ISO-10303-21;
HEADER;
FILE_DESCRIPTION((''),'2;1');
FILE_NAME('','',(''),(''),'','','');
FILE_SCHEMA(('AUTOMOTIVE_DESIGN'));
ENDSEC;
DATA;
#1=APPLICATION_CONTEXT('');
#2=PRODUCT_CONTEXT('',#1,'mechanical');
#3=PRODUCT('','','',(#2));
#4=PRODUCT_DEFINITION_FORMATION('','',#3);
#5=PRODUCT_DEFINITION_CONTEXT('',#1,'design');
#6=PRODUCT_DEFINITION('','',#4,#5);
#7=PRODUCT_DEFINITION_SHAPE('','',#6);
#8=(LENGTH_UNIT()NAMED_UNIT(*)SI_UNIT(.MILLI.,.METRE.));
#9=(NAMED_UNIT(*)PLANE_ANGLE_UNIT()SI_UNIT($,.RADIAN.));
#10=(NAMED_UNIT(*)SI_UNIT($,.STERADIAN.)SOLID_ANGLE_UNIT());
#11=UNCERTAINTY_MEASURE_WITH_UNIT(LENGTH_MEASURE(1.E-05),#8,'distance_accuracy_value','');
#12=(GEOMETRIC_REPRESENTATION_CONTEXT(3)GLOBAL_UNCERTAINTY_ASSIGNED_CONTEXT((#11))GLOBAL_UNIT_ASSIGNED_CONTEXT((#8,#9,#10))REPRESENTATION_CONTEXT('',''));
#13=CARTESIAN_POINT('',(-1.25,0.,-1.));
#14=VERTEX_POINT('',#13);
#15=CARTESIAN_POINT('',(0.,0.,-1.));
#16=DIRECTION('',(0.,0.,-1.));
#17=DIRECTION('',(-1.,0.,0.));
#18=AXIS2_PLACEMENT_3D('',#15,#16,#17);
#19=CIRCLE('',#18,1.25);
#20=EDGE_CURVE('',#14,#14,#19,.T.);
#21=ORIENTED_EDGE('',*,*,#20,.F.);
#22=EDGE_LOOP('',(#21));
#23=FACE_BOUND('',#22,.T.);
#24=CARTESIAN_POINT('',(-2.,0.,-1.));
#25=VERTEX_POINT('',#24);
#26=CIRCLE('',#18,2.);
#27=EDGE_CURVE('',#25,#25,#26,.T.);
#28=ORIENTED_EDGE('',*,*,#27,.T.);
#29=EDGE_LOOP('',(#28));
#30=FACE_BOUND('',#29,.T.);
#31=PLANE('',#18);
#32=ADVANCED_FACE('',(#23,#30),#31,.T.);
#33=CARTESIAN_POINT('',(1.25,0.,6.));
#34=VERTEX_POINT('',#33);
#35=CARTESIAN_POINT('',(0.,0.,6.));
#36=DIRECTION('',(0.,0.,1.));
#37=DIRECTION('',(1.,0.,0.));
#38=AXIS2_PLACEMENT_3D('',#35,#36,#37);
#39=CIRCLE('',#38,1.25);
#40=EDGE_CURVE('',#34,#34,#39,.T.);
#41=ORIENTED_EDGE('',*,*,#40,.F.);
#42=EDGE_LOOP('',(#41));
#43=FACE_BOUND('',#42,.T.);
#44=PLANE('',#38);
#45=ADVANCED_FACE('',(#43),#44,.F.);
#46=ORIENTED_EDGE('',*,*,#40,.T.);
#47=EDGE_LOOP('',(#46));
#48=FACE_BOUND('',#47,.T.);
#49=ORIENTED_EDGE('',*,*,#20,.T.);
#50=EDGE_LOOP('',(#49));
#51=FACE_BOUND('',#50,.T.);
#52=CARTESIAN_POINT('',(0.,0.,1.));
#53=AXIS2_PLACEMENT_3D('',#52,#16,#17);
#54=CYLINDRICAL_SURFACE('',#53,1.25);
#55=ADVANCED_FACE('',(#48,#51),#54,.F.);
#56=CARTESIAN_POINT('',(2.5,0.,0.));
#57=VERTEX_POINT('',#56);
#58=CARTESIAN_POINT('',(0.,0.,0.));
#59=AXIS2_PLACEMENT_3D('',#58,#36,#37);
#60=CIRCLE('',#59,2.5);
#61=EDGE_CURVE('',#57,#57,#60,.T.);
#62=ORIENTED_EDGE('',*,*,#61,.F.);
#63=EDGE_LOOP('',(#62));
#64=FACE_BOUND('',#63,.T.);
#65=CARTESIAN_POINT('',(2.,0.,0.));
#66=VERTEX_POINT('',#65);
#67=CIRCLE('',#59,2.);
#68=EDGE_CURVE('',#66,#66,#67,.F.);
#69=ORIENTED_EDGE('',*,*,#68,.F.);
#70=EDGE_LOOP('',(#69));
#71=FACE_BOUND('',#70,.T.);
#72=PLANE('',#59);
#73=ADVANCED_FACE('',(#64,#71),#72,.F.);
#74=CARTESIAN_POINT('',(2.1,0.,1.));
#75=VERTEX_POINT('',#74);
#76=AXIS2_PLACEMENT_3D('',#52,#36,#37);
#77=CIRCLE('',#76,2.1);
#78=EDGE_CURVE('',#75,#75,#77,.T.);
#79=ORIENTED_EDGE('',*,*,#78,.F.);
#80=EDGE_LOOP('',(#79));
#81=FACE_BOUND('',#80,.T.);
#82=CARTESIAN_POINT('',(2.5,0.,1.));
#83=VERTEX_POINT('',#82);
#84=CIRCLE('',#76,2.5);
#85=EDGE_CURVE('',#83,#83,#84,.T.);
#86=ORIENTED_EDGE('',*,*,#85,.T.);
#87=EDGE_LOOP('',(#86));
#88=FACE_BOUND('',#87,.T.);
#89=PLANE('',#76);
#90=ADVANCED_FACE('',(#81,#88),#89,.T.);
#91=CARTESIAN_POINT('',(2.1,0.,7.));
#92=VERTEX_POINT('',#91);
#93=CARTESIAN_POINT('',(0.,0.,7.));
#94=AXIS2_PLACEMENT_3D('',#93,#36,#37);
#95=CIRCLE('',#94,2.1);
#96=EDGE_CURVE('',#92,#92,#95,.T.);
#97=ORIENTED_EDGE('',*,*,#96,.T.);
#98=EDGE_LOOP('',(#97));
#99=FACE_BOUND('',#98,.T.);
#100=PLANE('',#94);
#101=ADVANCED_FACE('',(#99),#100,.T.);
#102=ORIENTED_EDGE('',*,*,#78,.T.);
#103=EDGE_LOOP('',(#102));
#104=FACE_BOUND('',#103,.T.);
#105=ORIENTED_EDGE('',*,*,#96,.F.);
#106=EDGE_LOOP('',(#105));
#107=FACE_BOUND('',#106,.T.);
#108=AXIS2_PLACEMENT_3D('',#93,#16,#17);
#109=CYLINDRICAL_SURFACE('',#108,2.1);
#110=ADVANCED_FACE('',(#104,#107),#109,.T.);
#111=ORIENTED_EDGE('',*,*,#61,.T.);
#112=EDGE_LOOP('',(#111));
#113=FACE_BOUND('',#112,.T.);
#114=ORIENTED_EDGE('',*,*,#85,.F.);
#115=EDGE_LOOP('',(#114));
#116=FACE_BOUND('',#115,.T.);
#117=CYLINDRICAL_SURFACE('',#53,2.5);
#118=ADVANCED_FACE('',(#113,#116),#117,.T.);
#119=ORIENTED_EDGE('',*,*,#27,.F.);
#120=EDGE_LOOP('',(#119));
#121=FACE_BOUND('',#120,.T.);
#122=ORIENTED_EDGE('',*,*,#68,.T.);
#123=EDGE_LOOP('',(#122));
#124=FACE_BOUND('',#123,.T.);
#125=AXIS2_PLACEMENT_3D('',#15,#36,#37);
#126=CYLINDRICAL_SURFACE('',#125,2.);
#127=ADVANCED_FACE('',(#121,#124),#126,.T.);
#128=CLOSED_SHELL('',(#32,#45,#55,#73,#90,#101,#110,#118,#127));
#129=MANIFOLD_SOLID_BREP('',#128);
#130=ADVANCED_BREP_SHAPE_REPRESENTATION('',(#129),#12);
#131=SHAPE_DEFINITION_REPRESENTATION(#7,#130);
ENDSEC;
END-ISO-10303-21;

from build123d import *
from build123d.topology import SkipClean

# Parameters (mm, degrees)
SKETCH_1_R      = 2.5
SKETCH_1_R_2    = 1.25
EXTRUDE_1_DEPTH = 1
EXTRUDE_START   = 1
SKETCH_2_R      = 2
SKETCH_2_R_2    = 1.25
EXTRUDE_2_DEPTH = 1
SKETCH_4_R      = 2.1
SKETCH_4_R_2    = 1.25
EXTRUDE_3_DEPTH = 6
EXTRUDE_START_2 = -1
SKETCH_3_R      = 2.1
EXTRUDE_4_DEPTH = 1


with BuildPart() as part:
    # 草图1 → 凸台-拉伸1 (new body)
    with BuildSketch(Plane.XY):
        Circle(SKETCH_1_R)
        Circle(SKETCH_1_R_2, mode=Mode.SUBTRACT)
    extrude(amount=EXTRUDE_1_DEPTH)

    # 草图2 → 凸台-拉伸2 (add)
    with SkipClean():  # the faces are left unmerged after this step: merging them gives an invalid solid
        with BuildSketch(Plane(origin=(0, 0, 0), x_dir=(-1, 0, 0), z_dir=(0, 0, -1)).offset(EXTRUDE_START)):
            with Locations(Location((0, 0, 0), (0, 0, 180))):
                Circle(SKETCH_2_R)
            Circle(SKETCH_2_R_2, mode=Mode.SUBTRACT)
        extrude(amount=-EXTRUDE_2_DEPTH)

    # 草图4 → 凸台-拉伸3 (add)
    with BuildSketch(Plane.XY.offset(1)):
        Circle(SKETCH_4_R)
        with Locations(Location((0, 0, 0), (0, 0, 180))):
            Circle(SKETCH_4_R_2, mode=Mode.SUBTRACT)
    extrude(amount=EXTRUDE_3_DEPTH)

    # 草图3 → 凸台-拉伸4 (add)
    with BuildSketch(Plane.XY.offset(7).offset(EXTRUDE_START_2)):
        Circle(SKETCH_3_R)
    extrude(amount=EXTRUDE_4_DEPTH)


solid = part.part
